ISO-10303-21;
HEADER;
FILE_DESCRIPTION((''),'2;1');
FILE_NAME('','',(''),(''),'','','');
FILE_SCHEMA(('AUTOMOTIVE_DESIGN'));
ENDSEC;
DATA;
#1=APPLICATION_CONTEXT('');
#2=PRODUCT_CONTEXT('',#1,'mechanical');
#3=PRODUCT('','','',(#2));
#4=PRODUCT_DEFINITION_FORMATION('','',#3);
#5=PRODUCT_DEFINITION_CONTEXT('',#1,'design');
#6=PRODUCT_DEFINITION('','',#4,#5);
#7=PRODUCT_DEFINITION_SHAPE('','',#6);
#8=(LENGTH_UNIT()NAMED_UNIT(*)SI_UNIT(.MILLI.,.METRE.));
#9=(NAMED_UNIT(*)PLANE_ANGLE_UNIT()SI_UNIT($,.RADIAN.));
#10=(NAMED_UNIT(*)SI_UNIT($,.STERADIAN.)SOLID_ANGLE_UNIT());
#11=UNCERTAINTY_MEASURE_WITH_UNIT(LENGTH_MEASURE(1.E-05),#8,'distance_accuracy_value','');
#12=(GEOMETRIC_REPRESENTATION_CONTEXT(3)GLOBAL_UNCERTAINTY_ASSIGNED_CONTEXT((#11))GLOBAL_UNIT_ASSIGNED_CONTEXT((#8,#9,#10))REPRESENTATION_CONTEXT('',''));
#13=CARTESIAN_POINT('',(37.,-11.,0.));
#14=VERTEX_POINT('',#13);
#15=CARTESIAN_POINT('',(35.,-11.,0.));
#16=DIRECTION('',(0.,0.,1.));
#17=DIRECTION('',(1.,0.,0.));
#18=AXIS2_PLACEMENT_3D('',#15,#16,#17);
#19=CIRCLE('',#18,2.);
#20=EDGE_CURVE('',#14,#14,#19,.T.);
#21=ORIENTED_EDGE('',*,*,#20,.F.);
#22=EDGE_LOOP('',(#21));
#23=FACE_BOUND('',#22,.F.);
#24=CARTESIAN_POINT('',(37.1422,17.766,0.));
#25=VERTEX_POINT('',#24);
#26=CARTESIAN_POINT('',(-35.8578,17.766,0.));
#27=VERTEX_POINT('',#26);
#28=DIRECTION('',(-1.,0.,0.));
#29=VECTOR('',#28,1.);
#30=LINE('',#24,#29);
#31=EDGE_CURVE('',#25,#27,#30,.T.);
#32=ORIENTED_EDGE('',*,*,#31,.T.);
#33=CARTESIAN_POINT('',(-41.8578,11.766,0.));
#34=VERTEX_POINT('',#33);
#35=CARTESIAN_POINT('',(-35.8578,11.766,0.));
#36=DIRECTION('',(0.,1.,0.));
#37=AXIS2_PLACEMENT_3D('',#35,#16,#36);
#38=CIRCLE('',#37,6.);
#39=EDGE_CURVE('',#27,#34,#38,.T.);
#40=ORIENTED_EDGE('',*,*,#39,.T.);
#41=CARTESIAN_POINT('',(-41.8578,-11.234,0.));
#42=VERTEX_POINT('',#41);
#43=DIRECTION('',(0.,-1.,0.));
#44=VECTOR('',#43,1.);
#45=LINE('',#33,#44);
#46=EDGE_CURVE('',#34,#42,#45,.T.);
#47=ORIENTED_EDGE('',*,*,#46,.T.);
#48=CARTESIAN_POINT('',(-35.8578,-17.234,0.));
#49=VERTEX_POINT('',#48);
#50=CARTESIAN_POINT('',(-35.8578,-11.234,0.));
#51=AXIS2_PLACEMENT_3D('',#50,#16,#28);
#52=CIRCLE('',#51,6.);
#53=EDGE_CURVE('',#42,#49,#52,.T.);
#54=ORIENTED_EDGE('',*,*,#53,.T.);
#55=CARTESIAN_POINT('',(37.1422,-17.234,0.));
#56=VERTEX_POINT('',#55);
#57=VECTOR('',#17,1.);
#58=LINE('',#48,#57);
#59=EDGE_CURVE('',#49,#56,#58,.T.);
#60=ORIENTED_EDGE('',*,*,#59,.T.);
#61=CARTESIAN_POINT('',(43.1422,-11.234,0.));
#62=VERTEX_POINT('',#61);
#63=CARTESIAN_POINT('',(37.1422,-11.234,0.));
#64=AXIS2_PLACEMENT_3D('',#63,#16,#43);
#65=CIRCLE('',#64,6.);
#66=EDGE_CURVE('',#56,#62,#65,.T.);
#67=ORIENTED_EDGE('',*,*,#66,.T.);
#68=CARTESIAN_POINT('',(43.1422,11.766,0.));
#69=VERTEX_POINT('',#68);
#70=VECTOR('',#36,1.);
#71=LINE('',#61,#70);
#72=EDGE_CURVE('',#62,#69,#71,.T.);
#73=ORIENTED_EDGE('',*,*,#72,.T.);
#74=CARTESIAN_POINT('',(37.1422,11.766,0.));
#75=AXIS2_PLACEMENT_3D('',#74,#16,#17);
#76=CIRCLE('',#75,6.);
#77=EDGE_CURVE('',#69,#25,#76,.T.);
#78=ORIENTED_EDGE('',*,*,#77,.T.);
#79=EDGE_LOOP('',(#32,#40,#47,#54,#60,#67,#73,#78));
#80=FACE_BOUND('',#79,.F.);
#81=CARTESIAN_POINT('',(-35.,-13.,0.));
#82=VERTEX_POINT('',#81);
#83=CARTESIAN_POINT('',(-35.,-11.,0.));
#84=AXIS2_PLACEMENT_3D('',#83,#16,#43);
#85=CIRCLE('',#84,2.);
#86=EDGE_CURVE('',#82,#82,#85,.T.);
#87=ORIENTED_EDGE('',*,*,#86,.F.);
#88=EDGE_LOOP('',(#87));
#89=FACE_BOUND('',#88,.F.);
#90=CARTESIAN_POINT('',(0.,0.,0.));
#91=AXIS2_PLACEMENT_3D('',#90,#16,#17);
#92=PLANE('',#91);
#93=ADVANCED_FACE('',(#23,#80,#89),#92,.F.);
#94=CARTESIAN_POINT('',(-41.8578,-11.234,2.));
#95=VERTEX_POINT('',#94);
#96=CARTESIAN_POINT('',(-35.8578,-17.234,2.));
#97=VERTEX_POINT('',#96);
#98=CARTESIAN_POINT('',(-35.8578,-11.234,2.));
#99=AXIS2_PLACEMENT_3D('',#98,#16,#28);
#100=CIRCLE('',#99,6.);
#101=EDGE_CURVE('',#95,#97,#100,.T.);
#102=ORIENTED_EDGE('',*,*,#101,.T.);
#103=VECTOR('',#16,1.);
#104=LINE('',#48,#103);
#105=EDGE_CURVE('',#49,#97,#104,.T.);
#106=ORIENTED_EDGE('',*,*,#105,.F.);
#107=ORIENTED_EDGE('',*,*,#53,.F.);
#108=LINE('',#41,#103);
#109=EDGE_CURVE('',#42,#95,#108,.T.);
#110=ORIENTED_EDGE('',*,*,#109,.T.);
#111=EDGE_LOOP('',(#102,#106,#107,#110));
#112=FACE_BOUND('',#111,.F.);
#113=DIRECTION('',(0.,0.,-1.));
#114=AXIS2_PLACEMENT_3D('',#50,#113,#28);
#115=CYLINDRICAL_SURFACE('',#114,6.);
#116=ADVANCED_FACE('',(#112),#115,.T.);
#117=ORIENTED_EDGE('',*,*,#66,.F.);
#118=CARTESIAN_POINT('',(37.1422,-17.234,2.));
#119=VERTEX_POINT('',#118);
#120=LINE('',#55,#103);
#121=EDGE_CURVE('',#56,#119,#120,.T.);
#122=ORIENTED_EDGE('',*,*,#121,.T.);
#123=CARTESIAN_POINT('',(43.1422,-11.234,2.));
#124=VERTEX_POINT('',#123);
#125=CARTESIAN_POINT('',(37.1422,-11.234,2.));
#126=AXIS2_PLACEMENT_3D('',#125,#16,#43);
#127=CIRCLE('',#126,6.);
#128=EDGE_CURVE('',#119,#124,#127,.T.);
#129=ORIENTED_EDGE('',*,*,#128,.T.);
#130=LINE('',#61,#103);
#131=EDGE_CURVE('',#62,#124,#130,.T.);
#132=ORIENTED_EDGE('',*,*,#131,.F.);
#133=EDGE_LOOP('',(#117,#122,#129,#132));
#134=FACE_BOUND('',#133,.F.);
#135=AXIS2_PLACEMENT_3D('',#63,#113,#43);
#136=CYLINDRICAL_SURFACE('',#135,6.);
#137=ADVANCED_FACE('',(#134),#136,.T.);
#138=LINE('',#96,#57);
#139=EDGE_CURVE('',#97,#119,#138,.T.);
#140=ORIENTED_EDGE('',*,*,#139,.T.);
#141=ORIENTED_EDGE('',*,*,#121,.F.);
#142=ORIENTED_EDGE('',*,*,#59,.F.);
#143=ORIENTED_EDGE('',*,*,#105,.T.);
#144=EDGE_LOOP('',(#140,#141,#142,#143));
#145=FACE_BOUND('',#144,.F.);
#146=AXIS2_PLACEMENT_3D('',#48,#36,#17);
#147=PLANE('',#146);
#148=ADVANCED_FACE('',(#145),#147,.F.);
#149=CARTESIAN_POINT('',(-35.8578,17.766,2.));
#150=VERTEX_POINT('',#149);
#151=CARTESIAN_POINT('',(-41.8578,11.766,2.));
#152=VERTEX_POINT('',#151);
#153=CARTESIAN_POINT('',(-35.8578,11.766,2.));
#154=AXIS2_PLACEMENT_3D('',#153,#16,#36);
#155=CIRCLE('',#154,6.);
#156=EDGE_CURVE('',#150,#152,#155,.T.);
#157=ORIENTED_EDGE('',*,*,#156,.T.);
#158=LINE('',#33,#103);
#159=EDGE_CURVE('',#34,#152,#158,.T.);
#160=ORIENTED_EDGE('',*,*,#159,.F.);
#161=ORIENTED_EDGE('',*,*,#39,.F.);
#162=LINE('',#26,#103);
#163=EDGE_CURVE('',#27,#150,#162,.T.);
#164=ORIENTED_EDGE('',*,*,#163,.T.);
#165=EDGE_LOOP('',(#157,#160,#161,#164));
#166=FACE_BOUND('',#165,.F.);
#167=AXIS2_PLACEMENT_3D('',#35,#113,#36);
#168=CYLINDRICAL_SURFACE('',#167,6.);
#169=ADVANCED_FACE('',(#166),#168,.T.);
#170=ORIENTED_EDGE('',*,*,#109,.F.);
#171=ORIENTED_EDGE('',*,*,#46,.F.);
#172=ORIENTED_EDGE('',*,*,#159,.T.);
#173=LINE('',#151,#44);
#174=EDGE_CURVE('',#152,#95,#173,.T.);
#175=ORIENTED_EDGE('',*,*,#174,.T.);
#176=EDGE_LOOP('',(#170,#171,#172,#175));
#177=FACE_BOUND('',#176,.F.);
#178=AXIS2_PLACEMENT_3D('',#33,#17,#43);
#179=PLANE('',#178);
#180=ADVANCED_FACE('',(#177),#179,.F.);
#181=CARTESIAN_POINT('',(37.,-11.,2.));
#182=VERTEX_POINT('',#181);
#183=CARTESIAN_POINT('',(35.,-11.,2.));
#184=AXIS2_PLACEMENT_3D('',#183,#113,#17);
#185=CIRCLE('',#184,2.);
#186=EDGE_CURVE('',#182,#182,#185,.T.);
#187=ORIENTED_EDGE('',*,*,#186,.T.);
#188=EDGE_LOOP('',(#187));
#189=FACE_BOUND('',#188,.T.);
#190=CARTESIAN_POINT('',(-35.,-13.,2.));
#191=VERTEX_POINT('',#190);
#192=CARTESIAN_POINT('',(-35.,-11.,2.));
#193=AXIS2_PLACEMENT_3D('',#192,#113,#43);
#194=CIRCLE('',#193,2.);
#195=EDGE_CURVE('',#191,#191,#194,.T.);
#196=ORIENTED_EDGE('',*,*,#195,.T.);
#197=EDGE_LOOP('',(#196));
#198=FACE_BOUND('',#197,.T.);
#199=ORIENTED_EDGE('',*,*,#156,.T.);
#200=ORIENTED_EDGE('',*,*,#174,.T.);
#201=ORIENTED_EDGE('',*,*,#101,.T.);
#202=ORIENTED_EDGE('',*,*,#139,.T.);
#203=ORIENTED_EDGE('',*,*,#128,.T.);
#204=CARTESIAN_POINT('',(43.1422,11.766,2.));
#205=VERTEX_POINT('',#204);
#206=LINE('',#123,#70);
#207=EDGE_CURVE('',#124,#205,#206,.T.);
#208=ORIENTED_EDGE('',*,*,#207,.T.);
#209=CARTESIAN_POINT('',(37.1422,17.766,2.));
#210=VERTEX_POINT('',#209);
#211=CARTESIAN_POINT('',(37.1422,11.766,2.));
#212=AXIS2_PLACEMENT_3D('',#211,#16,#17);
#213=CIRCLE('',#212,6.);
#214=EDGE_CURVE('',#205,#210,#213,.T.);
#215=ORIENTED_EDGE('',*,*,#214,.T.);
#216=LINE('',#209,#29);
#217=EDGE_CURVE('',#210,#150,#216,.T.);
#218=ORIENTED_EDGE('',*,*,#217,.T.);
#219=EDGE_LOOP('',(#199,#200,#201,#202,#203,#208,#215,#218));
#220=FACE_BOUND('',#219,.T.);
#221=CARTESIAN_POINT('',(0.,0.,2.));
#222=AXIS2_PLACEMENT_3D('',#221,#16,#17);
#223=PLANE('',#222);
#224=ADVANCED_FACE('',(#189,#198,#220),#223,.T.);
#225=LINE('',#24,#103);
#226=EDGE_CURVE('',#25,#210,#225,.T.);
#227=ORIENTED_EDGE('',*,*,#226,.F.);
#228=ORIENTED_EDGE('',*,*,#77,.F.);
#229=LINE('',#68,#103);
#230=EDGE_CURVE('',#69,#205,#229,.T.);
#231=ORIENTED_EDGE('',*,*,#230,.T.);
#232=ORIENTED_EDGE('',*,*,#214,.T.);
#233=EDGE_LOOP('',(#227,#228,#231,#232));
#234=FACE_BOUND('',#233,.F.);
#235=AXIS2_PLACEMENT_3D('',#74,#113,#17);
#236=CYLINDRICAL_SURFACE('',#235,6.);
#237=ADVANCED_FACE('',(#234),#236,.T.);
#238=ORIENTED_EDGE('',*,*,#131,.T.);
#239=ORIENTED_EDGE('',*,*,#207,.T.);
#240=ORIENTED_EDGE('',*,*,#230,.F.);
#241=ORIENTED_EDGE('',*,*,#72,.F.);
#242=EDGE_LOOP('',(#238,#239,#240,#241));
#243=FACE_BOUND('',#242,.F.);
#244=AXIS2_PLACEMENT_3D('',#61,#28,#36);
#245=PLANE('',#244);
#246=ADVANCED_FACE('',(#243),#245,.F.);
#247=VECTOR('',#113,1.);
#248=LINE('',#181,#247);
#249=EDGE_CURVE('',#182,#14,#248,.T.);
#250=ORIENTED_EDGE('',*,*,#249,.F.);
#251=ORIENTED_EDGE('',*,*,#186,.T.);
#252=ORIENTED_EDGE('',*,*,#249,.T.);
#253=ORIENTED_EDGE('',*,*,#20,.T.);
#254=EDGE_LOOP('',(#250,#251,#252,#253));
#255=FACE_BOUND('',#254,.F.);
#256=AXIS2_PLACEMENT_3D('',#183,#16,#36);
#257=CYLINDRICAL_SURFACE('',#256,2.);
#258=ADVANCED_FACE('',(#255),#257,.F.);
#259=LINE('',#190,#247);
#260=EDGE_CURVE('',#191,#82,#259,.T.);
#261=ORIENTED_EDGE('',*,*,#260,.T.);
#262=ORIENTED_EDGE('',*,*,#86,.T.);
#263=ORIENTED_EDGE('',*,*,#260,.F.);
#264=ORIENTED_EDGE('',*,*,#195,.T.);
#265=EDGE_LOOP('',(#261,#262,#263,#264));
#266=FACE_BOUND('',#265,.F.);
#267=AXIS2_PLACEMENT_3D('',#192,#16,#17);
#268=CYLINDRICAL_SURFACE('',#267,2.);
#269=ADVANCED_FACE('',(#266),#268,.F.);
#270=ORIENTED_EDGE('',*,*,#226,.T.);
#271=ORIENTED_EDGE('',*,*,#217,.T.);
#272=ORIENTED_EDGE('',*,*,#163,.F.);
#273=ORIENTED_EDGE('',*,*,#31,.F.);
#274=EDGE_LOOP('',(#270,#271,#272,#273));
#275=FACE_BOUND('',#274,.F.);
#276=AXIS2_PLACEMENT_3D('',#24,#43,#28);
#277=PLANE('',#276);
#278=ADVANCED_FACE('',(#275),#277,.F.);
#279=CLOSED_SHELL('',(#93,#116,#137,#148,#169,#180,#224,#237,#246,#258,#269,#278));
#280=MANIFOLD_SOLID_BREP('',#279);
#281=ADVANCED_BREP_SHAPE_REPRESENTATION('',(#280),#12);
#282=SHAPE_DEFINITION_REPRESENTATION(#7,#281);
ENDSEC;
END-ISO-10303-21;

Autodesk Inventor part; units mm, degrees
ref_plane "YZ Plane" through (0, 0, 0) normal (1, 0, 0) x (0, 1, 0)
ref_plane "XZ Plane" through (0, 0, 0) normal (0, 1, 0) x (-1, 0, 0)
ref_plane "XY Plane" through (0, 0, 0) normal (0, 0, 1) x (1, 0, 0)
sketch "Sketch1" plane through (0, 0, 0) normal (0, 0, 1) x (1, 0, 0)
  line L0 (-35.8578, -17.234) -> (37.1422, -17.234)
  arc A0 (37.1422, -17.234) -> (43.1422, -11.234) centre (37.1422, -11.234) ccw
  line L1 (43.1422, -11.234) -> (43.1422, 11.766)
  arc A1 (43.1422, 11.766) -> (37.1422, 17.766) centre (37.1422, 11.766) ccw
  line L2 (37.1422, 17.766) -> (-35.8578, 17.766)
  arc A2 (-35.8578, 17.766) -> (-41.8578, 11.766) centre (-35.8578, 11.766) ccw
  line L3 (-41.8578, 11.766) -> (-41.8578, -11.234)
  arc A3 (-41.8578, -11.234) -> (-35.8578, -17.234) centre (-35.8578, -11.234) ccw
  arc A4 (41.1422, 12.766) -> (38.1422, 15.766) centre (38.1422, 12.766) ccw
  line L4 (41.1422, 12.766) -> (41.1422, -12.234)
  arc A5 (38.1422, -15.234) -> (41.1422, -12.234) centre (38.1422, -12.234) ccw
  line L5 (38.1422, -15.234) -> (-36.8578, -15.234)
  arc A6 (-39.8578, -12.234) -> (-36.8578, -15.234) centre (-36.8578, -12.234) ccw
  line L6 (-39.8578, -12.234) -> (-39.8578, 12.766)
  arc A7 (-36.8578, 15.766) -> (-39.8578, 12.766) centre (-36.8578, 12.766) ccw
  line L7 (-36.8578, 15.766) -> (38.1422, 15.766)
  point P0 (0, 0)
  point P1 (0.6422, 0.266)
extrude "Extrusion1" add sketch "Sketch1" along normal blind 2 contours A3 L3 A2 L2 A1 L1 A0 L0 | L4 A5 L5 A6 L6 A7 L7 A4
sketch "Sketch2" plane through (0, 0, 2) normal (0, 0, 1) x (1, 0, 0)
  line L0 (0, 0) -> (-35, 0)
  line L1 (-35, 0) -> (-35, -11)
  line L2 (-35, -11) -> (35, -11)
  line L3 (-35, -9) -> (-35, -9)
  line L4 (-33, -11) -> (-33, -11)
  line L5 (-35, -13) -> (-35, -13)
  line L6 (-37, -11) -> (-37, -11)
  line L7 (-37, -9) -> (-33, -13) construction
  line L8 (-33, -9) -> (-37, -13) construction
  line L9 (35, -9) -> (35, -9)
  line L10 (37, -11) -> (37, -11)
  line L11 (35, -13) -> (35, -13)
  line L12 (33, -11) -> (33, -11)
  line L13 (33, -9) -> (37, -13) construction
  line L14 (37, -9) -> (33, -13) construction
  arc A0 (35, -9) -> (33, -11) centre (35, -11) ccw
  arc A1 (37, -11) -> (35, -9) centre (35, -11) ccw
  arc A2 (33, -11) -> (35, -13) centre (35, -11) ccw
  arc A3 (35, -13) -> (37, -11) centre (35, -11) ccw
  arc A4 (-33, -11) -> (-35, -9) centre (-35, -11) ccw
  arc A5 (-35, -13) -> (-33, -11) centre (-35, -11) ccw
  arc A6 (-37, -11) -> (-35, -13) centre (-35, -11) ccw
  arc A7 (-35, -9) -> (-37, -11) centre (-35, -11) ccw
  dimension "d2" = 35
  dimension "d3" = 11
  dimension "d4" = 70
  dimension "d5" = 4
  dimension "d6" = 4
  dimension "d7" = 4
  dimension "d8" = 4
  dimension "d9" = 2
extrude "Extrusion2" cut sketch "Sketch2" against normal blind 2
properties part number "CASE_1"
